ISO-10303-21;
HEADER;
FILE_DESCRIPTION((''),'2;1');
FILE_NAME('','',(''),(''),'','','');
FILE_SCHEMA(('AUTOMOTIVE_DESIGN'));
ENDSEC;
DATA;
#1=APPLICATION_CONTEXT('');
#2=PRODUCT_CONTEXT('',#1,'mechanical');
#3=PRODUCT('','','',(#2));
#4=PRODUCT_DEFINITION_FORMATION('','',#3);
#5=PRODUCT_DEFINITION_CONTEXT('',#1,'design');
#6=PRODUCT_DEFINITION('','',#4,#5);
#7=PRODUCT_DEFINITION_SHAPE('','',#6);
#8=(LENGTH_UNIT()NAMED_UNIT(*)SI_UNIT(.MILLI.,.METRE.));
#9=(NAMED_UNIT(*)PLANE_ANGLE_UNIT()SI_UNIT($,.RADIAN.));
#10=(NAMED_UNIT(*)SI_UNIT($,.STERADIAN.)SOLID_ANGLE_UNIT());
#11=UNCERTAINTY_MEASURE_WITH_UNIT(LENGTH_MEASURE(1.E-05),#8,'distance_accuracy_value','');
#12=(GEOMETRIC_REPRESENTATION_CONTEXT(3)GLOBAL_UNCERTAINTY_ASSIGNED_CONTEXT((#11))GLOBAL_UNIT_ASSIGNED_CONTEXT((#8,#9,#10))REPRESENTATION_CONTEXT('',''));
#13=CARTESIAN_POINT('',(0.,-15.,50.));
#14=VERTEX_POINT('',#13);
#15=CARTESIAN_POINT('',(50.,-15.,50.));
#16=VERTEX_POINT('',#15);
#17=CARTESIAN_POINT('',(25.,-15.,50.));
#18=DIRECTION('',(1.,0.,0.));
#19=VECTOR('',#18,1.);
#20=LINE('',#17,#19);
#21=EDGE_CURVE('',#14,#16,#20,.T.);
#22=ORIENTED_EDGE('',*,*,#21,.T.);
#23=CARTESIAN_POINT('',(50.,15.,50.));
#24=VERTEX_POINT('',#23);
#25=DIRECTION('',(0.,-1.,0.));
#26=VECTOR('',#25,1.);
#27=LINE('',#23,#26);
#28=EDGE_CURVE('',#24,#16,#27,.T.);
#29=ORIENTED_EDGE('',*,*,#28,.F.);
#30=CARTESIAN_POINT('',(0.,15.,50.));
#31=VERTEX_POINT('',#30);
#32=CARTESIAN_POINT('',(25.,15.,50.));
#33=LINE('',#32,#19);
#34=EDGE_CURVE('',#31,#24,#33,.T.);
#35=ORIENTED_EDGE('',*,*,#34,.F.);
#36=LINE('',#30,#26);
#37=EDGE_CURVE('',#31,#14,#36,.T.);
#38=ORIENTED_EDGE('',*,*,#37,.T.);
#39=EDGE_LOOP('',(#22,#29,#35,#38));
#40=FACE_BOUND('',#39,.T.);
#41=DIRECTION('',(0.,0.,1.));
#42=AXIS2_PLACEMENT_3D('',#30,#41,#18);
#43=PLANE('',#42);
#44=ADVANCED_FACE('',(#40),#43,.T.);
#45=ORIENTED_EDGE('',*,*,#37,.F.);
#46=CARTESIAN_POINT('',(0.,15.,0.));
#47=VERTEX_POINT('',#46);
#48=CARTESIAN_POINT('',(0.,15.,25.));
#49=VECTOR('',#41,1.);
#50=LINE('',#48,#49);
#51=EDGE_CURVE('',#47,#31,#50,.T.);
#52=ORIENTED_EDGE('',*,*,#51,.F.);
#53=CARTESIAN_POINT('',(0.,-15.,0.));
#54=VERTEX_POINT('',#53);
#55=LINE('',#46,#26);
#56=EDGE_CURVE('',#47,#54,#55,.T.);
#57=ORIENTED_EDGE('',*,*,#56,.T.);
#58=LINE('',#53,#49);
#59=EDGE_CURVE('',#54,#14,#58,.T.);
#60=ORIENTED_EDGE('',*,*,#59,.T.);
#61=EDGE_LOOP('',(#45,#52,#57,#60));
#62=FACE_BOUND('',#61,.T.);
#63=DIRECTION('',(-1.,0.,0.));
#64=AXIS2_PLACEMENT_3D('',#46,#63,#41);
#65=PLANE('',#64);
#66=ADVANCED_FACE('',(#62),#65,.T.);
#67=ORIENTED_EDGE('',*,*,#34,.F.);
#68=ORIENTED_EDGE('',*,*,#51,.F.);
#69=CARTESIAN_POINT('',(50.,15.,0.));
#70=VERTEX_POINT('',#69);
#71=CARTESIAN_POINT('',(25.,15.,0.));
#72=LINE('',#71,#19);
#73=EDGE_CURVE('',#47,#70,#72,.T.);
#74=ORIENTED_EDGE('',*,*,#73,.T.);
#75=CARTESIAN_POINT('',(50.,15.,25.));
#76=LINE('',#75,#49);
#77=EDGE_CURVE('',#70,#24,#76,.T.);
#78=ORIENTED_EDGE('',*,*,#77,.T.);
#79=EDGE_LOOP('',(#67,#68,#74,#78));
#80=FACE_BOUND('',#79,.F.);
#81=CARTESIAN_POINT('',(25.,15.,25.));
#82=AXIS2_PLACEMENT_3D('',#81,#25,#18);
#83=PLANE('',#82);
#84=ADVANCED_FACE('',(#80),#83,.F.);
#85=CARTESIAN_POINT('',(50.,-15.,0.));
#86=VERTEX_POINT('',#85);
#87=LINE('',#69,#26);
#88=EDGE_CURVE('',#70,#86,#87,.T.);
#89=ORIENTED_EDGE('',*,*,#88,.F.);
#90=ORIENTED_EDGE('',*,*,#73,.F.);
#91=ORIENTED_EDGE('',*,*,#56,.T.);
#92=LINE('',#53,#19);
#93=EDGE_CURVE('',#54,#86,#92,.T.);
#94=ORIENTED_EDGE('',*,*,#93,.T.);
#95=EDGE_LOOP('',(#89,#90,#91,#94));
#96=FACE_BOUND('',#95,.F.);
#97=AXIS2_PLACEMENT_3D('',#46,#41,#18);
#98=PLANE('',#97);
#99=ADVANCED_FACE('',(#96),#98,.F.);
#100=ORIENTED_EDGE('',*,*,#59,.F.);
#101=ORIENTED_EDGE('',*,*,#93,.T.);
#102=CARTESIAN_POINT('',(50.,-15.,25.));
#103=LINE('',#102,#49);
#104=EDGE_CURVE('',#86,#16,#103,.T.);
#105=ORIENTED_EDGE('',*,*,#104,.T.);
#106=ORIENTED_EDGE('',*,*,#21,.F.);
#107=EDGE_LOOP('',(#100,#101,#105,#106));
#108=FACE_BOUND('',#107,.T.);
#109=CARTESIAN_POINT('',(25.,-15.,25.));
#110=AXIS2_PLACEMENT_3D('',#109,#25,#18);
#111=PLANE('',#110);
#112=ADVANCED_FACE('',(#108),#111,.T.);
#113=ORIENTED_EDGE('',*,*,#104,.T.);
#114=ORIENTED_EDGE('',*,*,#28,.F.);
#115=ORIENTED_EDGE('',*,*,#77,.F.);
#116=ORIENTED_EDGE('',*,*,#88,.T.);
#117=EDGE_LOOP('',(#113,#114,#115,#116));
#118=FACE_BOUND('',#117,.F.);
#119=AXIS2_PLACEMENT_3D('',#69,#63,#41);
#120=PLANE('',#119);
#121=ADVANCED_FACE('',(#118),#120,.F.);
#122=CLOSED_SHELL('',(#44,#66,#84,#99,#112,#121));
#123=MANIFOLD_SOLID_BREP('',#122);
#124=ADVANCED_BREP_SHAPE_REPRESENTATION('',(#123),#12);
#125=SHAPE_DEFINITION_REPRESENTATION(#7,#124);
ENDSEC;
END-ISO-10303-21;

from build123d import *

# Parameters (mm, degrees)
F1_DEPTH = 15
F3_W     = 50
F3_H     = 50
F4_DEPTH = 30


with BuildPart() as f1:
    # F0 (on Front) → F1 (new body)
    with BuildSketch(Plane.XZ):
        Polygon((0, 30), (0, 0), (30, 0), align=None)
    extrude(amount=F1_DEPTH)

    # F3 (on offset) → F4 (join)
    with BuildSketch(Plane.XZ.offset(-15)):
        with Locations((25, 25)):
            Rectangle(F3_W, F3_H)
    extrude(amount=F4_DEPTH)


solid = f1.part
